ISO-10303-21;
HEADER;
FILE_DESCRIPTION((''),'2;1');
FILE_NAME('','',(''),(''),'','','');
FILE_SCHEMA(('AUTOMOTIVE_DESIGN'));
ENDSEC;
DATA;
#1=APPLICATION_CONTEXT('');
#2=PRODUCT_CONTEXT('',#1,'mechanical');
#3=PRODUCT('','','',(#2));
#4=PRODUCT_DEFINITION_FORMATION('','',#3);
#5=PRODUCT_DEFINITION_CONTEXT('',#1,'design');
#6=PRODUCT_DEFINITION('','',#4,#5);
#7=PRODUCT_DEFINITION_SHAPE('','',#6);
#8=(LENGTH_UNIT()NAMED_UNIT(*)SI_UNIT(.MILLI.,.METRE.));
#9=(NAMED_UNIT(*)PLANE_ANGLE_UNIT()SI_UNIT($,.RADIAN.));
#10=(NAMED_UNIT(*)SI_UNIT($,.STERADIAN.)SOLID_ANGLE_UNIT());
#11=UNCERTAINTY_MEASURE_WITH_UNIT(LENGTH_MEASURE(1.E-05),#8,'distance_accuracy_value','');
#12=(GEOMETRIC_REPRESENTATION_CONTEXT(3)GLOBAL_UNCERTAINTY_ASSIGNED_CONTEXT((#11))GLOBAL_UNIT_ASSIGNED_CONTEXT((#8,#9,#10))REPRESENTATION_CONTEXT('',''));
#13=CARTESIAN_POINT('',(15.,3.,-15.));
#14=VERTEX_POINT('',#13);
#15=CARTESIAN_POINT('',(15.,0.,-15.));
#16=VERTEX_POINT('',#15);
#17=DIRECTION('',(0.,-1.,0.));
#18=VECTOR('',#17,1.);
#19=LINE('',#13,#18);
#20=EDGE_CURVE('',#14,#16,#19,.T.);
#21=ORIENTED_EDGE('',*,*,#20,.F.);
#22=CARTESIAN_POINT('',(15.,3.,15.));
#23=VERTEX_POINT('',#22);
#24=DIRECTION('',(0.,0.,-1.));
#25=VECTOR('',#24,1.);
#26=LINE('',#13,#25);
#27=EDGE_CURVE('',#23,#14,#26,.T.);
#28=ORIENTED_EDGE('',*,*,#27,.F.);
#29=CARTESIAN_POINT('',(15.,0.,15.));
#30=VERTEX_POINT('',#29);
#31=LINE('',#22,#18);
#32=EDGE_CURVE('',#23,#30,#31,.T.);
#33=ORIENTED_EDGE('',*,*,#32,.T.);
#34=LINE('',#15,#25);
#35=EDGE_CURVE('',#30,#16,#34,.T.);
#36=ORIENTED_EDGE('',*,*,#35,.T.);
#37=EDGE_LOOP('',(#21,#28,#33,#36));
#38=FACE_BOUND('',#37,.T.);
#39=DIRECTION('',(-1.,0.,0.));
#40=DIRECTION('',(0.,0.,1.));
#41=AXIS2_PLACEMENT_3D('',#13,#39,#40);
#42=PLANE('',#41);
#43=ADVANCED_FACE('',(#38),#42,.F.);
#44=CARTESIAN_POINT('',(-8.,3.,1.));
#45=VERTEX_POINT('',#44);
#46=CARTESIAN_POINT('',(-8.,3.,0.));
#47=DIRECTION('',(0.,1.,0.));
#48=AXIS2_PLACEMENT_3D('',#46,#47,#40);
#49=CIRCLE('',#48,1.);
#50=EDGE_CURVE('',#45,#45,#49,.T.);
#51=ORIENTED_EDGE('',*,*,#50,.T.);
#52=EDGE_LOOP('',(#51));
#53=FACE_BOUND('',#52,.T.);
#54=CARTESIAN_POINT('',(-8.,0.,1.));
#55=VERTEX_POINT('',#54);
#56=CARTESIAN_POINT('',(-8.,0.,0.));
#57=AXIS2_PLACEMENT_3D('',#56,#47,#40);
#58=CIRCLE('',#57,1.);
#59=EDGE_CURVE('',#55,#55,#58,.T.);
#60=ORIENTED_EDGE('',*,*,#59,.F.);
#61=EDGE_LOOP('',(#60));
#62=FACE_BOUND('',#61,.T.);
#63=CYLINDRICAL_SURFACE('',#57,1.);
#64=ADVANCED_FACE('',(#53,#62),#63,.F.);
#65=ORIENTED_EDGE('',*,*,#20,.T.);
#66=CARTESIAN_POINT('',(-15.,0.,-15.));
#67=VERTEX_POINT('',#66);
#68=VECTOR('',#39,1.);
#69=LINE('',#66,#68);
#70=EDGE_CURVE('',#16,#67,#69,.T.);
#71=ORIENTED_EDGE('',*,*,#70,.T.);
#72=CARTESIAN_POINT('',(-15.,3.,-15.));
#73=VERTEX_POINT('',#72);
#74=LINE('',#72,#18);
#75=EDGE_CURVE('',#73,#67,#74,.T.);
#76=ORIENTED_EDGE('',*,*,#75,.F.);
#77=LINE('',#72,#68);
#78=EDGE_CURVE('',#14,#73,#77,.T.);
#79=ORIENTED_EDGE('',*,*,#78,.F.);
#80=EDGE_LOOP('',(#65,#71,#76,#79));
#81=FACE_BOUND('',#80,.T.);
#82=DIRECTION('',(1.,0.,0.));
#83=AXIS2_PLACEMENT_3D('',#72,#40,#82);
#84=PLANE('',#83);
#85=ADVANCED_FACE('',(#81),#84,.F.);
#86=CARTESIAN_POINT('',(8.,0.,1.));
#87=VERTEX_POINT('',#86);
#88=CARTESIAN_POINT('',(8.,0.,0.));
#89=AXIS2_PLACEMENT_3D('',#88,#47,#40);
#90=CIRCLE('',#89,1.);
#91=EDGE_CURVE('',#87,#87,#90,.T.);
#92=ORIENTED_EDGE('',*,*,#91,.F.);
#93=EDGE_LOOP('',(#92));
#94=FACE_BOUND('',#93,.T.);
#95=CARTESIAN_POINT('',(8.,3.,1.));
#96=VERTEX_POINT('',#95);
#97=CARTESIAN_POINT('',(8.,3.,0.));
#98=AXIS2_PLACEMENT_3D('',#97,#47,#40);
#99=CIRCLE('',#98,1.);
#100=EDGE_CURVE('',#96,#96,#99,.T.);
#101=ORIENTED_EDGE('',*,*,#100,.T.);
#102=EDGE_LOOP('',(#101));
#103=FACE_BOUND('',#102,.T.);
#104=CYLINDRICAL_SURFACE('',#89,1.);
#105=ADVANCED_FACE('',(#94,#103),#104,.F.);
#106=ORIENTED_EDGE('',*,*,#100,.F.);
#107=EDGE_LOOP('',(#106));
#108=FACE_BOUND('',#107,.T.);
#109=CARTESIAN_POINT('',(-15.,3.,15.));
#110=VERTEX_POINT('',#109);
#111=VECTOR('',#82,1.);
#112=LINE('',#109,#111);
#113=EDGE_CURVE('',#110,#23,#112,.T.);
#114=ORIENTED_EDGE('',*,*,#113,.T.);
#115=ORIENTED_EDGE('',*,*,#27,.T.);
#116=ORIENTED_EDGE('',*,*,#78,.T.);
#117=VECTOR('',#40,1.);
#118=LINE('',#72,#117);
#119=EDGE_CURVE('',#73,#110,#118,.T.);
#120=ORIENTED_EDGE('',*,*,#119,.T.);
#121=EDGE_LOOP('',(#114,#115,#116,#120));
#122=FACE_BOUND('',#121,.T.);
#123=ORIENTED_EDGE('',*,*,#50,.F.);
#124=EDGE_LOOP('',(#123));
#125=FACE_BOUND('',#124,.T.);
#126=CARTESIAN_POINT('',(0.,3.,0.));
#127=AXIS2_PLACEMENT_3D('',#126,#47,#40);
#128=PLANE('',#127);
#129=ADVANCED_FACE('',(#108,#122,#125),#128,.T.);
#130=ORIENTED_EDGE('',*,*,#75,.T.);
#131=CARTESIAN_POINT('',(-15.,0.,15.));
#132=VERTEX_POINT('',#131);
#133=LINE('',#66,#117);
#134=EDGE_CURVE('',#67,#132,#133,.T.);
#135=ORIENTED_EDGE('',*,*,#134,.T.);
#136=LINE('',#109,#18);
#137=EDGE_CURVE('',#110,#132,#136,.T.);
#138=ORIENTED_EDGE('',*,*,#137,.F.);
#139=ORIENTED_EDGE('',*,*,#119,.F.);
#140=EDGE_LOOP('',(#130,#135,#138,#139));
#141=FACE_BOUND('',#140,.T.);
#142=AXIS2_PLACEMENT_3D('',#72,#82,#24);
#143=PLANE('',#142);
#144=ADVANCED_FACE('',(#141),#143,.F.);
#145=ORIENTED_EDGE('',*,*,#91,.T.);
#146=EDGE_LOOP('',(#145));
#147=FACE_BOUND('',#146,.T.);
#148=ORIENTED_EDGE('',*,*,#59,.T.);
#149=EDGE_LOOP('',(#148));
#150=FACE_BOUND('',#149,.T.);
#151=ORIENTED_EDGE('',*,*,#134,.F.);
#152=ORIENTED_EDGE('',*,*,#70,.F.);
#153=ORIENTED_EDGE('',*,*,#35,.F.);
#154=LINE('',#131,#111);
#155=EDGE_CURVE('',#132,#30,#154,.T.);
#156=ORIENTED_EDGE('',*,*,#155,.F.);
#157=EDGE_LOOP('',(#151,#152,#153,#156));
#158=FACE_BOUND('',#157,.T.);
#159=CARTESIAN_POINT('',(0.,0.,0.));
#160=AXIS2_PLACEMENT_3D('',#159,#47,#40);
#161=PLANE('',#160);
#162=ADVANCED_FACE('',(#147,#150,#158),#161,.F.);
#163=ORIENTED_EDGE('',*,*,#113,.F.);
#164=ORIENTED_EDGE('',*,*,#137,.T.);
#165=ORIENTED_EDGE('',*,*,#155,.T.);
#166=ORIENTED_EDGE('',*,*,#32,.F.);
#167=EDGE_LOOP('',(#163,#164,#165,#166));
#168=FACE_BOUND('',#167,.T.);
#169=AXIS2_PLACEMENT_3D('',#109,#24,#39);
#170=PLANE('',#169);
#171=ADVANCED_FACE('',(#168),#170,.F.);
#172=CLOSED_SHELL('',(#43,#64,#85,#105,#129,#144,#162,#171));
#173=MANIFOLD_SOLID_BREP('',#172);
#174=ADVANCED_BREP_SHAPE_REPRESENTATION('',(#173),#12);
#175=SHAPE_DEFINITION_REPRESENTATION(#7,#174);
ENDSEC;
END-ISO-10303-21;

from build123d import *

# Parameters (mm, degrees)
SKETCH1_W           = 30
SKETCH1_H           = 30
BOSS_EXTRUDE1_DEPTH = 3
SKETCH2_R           = 1
CUT_EXTRUDE1_DEPTH  = 3


with BuildPart() as part:
    # Sketch1 → Boss-Extrude1 (new body)
    with BuildSketch(Plane(origin=(0, 0, 0), x_dir=(1, 0, 0), z_dir=(0, 1, 0))):
        Rectangle(SKETCH1_W, SKETCH1_H)
    extrude(amount=BOSS_EXTRUDE1_DEPTH)

    # Sketch2 → Cut-Extrude1 (cut)
    with BuildSketch(Plane(origin=(0, 3, 0), x_dir=(1, 0, 0), z_dir=(0, 1, 0))):
        with Locations(Location((-8, 0, 0), (0, 0, 270))):
            Circle(SKETCH2_R)
        with Locations(Location((8, 0, 0), (0, 0, 270))):
            Circle(SKETCH2_R)
    extrude(amount=-CUT_EXTRUDE1_DEPTH, mode=Mode.SUBTRACT)


solid = part.part
